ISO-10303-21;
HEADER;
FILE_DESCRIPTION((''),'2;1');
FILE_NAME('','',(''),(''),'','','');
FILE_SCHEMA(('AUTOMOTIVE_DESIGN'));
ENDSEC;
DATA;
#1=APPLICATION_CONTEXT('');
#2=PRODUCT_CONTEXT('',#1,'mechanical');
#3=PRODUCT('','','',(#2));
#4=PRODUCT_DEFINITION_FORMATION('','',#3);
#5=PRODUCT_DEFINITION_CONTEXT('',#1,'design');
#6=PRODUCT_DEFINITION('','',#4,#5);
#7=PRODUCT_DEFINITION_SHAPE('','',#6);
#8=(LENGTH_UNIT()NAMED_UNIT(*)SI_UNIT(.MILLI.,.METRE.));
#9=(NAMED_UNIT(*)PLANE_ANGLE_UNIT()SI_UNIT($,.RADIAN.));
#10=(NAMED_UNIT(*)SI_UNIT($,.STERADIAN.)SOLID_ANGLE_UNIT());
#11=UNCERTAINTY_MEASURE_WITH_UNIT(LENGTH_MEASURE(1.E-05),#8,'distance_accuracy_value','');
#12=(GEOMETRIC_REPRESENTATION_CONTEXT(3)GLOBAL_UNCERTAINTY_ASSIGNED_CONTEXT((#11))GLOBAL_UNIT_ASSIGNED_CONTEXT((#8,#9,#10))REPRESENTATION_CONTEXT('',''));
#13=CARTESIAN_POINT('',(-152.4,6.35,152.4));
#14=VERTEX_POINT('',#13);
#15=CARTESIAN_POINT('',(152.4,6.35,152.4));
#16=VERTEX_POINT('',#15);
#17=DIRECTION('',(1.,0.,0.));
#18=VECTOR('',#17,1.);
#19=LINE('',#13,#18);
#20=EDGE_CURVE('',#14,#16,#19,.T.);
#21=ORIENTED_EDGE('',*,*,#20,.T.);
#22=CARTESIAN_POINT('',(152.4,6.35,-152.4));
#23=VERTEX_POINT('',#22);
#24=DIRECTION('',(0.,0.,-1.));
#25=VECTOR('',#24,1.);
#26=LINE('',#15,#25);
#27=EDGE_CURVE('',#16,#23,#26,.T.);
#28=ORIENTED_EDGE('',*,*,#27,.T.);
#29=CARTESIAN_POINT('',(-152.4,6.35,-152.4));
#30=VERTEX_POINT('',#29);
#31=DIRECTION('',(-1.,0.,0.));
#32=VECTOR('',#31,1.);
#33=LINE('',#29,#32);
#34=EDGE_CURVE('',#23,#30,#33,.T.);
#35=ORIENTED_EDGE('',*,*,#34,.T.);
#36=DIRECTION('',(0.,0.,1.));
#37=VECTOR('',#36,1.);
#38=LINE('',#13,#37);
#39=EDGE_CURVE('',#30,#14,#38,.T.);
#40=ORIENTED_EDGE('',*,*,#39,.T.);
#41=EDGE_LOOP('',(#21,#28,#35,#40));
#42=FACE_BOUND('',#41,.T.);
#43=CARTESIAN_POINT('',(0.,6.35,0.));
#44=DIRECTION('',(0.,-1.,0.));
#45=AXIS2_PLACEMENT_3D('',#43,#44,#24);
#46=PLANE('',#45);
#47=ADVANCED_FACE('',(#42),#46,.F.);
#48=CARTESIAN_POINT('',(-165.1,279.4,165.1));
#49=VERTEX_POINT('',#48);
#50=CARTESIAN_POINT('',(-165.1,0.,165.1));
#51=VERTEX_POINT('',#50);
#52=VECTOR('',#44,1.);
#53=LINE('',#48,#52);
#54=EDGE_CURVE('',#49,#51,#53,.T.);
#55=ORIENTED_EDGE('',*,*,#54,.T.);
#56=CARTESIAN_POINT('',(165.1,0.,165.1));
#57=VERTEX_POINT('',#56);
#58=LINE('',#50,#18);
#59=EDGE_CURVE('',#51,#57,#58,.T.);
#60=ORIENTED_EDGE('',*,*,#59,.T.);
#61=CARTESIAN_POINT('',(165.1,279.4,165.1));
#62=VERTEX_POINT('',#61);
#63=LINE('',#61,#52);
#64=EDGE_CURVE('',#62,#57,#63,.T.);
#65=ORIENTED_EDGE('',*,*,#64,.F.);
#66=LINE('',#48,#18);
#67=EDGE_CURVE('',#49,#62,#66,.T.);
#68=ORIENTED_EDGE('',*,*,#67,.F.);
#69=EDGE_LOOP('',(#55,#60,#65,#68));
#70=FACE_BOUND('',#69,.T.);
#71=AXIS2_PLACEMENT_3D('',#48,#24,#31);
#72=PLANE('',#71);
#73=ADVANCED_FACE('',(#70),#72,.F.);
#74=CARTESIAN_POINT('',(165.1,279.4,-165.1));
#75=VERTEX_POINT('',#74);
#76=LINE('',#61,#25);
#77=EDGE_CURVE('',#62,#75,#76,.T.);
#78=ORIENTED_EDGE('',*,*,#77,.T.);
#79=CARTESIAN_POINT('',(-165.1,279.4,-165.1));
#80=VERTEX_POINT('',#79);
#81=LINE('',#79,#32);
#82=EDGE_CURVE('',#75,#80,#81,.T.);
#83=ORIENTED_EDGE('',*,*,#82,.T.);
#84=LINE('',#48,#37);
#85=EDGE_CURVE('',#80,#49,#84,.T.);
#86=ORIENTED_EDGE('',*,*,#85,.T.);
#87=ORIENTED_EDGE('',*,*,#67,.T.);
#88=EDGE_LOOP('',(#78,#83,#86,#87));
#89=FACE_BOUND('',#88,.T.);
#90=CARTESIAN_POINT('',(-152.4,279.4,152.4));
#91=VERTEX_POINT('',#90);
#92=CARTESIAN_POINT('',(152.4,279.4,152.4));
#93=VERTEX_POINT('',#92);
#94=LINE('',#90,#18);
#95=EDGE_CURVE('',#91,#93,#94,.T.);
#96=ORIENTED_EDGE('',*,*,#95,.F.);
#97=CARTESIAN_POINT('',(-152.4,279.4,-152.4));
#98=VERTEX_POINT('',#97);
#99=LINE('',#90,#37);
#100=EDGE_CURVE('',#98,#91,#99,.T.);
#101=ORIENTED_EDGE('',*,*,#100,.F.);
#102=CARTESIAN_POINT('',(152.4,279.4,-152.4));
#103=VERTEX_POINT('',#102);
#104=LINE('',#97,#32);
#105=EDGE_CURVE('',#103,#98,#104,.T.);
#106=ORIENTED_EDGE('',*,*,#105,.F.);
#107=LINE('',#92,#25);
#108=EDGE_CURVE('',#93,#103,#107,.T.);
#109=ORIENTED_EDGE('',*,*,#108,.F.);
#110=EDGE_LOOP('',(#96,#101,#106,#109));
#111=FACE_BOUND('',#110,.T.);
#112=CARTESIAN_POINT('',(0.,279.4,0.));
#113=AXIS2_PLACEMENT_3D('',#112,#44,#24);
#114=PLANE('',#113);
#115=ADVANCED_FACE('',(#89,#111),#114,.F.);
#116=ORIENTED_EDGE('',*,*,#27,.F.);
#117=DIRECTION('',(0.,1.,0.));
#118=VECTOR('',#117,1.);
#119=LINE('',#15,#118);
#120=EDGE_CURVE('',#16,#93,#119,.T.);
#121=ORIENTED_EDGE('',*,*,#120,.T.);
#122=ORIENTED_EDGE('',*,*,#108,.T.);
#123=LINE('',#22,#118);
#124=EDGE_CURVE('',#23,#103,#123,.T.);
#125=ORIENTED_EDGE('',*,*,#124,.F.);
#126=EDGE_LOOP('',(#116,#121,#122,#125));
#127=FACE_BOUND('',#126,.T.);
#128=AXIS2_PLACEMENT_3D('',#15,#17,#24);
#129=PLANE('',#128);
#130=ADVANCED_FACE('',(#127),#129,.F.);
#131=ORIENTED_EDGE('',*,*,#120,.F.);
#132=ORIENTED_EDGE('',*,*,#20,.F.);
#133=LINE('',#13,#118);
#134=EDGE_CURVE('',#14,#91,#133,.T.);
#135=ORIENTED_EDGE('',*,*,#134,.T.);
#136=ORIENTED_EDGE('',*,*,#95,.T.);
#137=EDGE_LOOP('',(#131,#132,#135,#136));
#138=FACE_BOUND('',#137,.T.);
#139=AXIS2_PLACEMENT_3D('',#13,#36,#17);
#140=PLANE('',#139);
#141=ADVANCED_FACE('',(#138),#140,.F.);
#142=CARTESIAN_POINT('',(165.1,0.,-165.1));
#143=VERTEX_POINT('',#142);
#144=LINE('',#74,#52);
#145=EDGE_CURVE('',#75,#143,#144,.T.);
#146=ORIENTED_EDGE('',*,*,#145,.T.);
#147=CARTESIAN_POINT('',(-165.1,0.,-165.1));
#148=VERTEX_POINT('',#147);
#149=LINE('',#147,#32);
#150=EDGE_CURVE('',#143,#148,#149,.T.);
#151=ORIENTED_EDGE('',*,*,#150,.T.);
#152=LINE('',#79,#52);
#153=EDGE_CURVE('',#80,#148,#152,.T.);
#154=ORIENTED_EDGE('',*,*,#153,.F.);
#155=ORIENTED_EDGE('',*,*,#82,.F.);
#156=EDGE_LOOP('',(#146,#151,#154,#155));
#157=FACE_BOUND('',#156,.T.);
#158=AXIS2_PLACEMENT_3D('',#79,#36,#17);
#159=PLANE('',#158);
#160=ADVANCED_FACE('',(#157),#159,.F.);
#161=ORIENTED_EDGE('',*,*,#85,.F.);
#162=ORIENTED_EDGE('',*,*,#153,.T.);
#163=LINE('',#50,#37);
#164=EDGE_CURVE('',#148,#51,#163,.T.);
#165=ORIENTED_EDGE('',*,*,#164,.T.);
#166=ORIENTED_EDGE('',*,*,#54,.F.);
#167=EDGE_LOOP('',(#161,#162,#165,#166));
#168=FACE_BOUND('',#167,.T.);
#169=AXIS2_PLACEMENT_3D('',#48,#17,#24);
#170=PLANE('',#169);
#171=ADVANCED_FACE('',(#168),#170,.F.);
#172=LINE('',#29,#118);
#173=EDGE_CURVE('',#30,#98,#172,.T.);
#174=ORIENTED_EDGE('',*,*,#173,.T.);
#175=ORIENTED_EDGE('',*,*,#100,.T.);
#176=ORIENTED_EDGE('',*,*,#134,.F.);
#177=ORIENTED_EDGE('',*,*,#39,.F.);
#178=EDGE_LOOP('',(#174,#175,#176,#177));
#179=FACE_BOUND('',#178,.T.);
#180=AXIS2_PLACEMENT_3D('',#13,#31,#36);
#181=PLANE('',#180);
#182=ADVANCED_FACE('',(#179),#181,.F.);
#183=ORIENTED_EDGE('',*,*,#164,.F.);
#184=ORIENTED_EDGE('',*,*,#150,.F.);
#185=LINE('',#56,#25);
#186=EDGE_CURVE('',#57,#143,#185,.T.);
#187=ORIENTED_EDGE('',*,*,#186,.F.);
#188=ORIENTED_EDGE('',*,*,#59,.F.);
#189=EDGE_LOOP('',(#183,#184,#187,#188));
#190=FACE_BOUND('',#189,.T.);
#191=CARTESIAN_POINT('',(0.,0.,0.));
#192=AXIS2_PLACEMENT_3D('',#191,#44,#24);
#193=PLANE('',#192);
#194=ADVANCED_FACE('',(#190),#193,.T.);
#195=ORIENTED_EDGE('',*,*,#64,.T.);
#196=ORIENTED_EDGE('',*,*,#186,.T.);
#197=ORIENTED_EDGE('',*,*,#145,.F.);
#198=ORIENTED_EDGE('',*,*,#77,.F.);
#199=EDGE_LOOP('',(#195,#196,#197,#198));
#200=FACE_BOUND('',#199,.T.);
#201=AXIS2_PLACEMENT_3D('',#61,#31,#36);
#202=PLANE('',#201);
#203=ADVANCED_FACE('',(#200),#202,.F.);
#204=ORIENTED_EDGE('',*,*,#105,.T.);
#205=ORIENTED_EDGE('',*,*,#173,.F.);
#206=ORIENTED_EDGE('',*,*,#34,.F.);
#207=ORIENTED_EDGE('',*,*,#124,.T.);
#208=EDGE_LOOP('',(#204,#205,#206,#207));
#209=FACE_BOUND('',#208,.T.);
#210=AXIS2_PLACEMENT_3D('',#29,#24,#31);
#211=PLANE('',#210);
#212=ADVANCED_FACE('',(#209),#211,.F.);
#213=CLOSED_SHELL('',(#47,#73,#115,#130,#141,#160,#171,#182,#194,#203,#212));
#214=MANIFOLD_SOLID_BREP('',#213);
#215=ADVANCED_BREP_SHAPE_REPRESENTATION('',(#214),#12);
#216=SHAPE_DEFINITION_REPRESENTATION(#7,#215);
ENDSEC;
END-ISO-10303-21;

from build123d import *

# Parameters (mm, degrees)
SKETCH1_W           = 330.2
SKETCH1_H           = 330.2
BOSS_EXTRUDE1_DEPTH = 279.4
SKETCH2_W           = 304.8
SKETCH2_H           = 304.8
CUT_EXTRUDE1_DEPTH  = 273.05


with BuildPart() as part:
    # Sketch1 → Boss-Extrude1 (new body)
    with BuildSketch(Plane(origin=(0, 0, 0), x_dir=(1, 0, 0), z_dir=(0, 1, 0))):
        Rectangle(SKETCH1_W, SKETCH1_H)
    extrude(amount=BOSS_EXTRUDE1_DEPTH)

    # Sketch2 → Cut-Extrude1 (cut)
    with BuildSketch(Plane(origin=(0, 279.4, 0), x_dir=(1, 0, 0), z_dir=(0, 1, 0))):
        Rectangle(SKETCH2_W, SKETCH2_H)
    extrude(amount=-CUT_EXTRUDE1_DEPTH, mode=Mode.SUBTRACT)


solid = part.part
